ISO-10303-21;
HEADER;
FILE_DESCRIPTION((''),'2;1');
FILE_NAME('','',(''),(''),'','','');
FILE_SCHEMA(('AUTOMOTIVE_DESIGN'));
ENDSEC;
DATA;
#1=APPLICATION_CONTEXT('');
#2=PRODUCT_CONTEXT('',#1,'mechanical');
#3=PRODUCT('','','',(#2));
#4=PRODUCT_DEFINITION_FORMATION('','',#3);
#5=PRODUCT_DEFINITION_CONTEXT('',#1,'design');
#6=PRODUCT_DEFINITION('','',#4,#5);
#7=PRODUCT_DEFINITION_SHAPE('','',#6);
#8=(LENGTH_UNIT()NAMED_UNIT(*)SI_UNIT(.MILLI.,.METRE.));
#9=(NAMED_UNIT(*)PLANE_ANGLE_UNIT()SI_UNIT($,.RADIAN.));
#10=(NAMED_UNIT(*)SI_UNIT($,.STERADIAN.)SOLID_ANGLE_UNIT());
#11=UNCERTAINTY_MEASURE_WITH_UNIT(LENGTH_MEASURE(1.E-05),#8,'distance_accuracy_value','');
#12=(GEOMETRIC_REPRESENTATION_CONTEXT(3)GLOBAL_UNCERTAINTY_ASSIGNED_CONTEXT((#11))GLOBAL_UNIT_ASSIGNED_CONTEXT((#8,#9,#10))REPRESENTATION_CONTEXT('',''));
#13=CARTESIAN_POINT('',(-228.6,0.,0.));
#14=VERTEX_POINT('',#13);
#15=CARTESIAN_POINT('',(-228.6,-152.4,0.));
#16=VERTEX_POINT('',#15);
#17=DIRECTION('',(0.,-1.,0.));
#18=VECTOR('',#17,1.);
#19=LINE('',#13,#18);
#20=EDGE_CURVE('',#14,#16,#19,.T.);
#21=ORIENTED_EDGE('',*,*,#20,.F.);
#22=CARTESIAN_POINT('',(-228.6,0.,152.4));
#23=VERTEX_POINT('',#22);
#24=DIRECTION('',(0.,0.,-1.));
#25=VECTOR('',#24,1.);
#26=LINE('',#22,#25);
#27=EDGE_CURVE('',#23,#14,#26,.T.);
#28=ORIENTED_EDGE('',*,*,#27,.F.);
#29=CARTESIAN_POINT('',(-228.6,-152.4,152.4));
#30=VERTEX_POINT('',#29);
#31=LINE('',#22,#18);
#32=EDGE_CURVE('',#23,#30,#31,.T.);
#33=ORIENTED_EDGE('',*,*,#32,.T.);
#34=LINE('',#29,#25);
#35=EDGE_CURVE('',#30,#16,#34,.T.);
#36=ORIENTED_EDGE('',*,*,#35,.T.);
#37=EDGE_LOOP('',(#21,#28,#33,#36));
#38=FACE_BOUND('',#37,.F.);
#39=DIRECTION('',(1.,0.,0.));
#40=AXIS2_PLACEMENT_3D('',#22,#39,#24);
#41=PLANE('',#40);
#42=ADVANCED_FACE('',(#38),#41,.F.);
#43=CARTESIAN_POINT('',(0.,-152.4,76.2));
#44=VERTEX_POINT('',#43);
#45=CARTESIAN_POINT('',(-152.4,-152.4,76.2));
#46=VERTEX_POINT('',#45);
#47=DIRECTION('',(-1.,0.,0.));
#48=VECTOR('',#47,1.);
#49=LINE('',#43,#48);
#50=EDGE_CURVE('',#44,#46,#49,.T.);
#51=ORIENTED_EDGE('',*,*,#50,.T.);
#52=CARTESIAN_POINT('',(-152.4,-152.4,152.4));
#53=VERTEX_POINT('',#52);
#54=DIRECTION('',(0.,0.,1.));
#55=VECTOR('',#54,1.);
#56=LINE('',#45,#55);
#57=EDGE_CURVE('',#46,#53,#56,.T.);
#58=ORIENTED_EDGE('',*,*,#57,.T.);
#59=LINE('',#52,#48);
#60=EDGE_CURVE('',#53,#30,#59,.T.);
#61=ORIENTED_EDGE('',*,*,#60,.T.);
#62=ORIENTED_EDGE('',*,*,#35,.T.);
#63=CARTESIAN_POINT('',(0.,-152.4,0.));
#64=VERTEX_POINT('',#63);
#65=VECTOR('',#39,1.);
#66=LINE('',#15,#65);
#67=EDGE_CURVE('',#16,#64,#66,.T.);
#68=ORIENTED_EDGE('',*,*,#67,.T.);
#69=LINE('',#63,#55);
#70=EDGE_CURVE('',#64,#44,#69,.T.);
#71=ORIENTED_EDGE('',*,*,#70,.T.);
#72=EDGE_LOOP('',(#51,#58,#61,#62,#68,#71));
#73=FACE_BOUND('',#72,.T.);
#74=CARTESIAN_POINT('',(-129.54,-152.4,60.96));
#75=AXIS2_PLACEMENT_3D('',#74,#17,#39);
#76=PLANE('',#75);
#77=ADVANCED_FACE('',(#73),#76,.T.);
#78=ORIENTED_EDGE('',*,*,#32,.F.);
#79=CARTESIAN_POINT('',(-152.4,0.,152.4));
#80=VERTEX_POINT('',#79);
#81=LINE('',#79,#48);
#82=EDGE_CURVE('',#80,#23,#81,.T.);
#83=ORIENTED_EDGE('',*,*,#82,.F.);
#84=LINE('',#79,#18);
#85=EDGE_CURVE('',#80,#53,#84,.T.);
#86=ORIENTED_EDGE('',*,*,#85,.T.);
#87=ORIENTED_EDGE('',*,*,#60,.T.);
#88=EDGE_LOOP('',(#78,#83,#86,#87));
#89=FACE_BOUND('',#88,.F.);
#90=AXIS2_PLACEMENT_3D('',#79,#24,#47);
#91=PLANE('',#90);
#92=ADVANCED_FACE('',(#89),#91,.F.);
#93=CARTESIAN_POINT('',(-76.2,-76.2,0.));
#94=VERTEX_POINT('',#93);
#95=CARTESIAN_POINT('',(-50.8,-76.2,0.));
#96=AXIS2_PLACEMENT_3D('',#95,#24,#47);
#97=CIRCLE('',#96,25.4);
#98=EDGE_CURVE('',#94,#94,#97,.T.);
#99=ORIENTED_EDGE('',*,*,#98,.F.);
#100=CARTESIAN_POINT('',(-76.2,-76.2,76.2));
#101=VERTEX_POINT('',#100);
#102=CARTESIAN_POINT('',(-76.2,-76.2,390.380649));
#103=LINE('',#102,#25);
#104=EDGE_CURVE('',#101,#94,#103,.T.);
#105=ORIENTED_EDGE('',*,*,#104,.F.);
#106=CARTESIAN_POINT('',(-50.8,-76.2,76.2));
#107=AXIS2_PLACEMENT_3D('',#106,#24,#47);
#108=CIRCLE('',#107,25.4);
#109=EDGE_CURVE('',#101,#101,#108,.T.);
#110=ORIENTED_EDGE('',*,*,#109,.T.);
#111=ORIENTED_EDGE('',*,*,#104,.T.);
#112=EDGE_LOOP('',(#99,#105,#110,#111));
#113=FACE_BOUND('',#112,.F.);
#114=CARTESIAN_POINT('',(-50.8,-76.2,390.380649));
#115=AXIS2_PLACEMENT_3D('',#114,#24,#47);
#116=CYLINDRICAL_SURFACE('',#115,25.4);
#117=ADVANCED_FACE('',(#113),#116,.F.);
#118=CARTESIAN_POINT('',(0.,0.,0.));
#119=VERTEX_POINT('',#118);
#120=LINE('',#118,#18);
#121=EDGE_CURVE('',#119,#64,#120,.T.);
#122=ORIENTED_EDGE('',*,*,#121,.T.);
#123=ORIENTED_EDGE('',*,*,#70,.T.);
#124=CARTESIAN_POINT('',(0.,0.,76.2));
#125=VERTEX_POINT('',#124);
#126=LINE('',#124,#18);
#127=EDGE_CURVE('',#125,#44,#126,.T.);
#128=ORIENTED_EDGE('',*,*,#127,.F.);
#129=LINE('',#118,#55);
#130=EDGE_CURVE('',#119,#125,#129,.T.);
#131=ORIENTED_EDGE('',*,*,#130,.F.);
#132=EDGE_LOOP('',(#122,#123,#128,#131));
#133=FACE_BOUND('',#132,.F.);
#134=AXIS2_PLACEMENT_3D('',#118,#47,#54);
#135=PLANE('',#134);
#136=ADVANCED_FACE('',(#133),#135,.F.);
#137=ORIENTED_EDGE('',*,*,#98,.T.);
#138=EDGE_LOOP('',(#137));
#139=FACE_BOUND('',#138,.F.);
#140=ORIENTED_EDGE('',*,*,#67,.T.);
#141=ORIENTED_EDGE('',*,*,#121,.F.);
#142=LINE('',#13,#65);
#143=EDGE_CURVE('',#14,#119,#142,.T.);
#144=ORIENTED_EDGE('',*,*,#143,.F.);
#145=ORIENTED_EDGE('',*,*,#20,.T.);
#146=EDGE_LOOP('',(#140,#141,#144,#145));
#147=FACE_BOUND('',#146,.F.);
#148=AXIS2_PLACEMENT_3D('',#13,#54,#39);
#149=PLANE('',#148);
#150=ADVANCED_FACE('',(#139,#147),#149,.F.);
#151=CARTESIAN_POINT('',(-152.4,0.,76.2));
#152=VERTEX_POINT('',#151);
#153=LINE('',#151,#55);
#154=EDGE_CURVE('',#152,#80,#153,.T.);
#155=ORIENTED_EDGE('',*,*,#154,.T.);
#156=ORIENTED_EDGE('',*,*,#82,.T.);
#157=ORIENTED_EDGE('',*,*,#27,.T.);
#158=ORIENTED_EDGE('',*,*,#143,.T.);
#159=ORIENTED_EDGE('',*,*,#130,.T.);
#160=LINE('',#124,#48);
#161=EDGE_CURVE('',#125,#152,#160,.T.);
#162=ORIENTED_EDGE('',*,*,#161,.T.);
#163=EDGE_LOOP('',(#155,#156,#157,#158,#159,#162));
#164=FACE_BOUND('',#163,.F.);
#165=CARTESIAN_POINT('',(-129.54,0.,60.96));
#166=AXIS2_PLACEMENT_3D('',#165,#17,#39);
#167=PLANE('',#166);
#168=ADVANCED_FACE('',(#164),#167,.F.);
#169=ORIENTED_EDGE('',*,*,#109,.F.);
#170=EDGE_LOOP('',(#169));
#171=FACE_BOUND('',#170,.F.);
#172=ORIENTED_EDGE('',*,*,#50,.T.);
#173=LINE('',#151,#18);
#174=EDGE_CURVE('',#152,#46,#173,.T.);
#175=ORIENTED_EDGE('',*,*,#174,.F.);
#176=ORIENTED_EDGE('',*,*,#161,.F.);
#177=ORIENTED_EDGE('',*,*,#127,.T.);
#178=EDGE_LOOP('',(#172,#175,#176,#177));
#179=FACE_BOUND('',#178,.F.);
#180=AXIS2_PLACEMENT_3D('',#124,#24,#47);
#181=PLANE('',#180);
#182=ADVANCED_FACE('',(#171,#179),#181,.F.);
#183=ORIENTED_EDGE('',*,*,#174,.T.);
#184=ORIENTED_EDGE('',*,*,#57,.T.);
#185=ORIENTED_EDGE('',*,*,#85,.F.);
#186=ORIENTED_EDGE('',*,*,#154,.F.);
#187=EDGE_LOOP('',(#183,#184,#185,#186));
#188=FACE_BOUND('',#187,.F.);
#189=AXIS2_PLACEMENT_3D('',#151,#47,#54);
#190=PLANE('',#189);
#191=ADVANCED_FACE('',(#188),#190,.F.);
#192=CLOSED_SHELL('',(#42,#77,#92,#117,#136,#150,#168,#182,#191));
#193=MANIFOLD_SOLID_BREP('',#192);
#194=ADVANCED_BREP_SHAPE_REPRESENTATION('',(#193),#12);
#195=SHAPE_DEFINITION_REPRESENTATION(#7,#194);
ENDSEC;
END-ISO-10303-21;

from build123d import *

# Parameters (mm, degrees)
F1_DEPTH = 152.4
F3_D     = 50.8


with BuildPart() as f1:
    # F0 (on Front) → F1 (new body)
    with BuildSketch(Plane.XZ):
        Polygon((-228.6, 0), (0, 0), (0, 76.2), (-152.4, 76.2), (-152.4, 152.4), (-228.6, 152.4), align=None)
    extrude(amount=F1_DEPTH)

    # F3 (through all)
    with Locations(Plane.XY.offset(76.2)):
        with Locations((-50.8, -76.2)):
            Hole(F3_D / 2)


solid = f1.part
